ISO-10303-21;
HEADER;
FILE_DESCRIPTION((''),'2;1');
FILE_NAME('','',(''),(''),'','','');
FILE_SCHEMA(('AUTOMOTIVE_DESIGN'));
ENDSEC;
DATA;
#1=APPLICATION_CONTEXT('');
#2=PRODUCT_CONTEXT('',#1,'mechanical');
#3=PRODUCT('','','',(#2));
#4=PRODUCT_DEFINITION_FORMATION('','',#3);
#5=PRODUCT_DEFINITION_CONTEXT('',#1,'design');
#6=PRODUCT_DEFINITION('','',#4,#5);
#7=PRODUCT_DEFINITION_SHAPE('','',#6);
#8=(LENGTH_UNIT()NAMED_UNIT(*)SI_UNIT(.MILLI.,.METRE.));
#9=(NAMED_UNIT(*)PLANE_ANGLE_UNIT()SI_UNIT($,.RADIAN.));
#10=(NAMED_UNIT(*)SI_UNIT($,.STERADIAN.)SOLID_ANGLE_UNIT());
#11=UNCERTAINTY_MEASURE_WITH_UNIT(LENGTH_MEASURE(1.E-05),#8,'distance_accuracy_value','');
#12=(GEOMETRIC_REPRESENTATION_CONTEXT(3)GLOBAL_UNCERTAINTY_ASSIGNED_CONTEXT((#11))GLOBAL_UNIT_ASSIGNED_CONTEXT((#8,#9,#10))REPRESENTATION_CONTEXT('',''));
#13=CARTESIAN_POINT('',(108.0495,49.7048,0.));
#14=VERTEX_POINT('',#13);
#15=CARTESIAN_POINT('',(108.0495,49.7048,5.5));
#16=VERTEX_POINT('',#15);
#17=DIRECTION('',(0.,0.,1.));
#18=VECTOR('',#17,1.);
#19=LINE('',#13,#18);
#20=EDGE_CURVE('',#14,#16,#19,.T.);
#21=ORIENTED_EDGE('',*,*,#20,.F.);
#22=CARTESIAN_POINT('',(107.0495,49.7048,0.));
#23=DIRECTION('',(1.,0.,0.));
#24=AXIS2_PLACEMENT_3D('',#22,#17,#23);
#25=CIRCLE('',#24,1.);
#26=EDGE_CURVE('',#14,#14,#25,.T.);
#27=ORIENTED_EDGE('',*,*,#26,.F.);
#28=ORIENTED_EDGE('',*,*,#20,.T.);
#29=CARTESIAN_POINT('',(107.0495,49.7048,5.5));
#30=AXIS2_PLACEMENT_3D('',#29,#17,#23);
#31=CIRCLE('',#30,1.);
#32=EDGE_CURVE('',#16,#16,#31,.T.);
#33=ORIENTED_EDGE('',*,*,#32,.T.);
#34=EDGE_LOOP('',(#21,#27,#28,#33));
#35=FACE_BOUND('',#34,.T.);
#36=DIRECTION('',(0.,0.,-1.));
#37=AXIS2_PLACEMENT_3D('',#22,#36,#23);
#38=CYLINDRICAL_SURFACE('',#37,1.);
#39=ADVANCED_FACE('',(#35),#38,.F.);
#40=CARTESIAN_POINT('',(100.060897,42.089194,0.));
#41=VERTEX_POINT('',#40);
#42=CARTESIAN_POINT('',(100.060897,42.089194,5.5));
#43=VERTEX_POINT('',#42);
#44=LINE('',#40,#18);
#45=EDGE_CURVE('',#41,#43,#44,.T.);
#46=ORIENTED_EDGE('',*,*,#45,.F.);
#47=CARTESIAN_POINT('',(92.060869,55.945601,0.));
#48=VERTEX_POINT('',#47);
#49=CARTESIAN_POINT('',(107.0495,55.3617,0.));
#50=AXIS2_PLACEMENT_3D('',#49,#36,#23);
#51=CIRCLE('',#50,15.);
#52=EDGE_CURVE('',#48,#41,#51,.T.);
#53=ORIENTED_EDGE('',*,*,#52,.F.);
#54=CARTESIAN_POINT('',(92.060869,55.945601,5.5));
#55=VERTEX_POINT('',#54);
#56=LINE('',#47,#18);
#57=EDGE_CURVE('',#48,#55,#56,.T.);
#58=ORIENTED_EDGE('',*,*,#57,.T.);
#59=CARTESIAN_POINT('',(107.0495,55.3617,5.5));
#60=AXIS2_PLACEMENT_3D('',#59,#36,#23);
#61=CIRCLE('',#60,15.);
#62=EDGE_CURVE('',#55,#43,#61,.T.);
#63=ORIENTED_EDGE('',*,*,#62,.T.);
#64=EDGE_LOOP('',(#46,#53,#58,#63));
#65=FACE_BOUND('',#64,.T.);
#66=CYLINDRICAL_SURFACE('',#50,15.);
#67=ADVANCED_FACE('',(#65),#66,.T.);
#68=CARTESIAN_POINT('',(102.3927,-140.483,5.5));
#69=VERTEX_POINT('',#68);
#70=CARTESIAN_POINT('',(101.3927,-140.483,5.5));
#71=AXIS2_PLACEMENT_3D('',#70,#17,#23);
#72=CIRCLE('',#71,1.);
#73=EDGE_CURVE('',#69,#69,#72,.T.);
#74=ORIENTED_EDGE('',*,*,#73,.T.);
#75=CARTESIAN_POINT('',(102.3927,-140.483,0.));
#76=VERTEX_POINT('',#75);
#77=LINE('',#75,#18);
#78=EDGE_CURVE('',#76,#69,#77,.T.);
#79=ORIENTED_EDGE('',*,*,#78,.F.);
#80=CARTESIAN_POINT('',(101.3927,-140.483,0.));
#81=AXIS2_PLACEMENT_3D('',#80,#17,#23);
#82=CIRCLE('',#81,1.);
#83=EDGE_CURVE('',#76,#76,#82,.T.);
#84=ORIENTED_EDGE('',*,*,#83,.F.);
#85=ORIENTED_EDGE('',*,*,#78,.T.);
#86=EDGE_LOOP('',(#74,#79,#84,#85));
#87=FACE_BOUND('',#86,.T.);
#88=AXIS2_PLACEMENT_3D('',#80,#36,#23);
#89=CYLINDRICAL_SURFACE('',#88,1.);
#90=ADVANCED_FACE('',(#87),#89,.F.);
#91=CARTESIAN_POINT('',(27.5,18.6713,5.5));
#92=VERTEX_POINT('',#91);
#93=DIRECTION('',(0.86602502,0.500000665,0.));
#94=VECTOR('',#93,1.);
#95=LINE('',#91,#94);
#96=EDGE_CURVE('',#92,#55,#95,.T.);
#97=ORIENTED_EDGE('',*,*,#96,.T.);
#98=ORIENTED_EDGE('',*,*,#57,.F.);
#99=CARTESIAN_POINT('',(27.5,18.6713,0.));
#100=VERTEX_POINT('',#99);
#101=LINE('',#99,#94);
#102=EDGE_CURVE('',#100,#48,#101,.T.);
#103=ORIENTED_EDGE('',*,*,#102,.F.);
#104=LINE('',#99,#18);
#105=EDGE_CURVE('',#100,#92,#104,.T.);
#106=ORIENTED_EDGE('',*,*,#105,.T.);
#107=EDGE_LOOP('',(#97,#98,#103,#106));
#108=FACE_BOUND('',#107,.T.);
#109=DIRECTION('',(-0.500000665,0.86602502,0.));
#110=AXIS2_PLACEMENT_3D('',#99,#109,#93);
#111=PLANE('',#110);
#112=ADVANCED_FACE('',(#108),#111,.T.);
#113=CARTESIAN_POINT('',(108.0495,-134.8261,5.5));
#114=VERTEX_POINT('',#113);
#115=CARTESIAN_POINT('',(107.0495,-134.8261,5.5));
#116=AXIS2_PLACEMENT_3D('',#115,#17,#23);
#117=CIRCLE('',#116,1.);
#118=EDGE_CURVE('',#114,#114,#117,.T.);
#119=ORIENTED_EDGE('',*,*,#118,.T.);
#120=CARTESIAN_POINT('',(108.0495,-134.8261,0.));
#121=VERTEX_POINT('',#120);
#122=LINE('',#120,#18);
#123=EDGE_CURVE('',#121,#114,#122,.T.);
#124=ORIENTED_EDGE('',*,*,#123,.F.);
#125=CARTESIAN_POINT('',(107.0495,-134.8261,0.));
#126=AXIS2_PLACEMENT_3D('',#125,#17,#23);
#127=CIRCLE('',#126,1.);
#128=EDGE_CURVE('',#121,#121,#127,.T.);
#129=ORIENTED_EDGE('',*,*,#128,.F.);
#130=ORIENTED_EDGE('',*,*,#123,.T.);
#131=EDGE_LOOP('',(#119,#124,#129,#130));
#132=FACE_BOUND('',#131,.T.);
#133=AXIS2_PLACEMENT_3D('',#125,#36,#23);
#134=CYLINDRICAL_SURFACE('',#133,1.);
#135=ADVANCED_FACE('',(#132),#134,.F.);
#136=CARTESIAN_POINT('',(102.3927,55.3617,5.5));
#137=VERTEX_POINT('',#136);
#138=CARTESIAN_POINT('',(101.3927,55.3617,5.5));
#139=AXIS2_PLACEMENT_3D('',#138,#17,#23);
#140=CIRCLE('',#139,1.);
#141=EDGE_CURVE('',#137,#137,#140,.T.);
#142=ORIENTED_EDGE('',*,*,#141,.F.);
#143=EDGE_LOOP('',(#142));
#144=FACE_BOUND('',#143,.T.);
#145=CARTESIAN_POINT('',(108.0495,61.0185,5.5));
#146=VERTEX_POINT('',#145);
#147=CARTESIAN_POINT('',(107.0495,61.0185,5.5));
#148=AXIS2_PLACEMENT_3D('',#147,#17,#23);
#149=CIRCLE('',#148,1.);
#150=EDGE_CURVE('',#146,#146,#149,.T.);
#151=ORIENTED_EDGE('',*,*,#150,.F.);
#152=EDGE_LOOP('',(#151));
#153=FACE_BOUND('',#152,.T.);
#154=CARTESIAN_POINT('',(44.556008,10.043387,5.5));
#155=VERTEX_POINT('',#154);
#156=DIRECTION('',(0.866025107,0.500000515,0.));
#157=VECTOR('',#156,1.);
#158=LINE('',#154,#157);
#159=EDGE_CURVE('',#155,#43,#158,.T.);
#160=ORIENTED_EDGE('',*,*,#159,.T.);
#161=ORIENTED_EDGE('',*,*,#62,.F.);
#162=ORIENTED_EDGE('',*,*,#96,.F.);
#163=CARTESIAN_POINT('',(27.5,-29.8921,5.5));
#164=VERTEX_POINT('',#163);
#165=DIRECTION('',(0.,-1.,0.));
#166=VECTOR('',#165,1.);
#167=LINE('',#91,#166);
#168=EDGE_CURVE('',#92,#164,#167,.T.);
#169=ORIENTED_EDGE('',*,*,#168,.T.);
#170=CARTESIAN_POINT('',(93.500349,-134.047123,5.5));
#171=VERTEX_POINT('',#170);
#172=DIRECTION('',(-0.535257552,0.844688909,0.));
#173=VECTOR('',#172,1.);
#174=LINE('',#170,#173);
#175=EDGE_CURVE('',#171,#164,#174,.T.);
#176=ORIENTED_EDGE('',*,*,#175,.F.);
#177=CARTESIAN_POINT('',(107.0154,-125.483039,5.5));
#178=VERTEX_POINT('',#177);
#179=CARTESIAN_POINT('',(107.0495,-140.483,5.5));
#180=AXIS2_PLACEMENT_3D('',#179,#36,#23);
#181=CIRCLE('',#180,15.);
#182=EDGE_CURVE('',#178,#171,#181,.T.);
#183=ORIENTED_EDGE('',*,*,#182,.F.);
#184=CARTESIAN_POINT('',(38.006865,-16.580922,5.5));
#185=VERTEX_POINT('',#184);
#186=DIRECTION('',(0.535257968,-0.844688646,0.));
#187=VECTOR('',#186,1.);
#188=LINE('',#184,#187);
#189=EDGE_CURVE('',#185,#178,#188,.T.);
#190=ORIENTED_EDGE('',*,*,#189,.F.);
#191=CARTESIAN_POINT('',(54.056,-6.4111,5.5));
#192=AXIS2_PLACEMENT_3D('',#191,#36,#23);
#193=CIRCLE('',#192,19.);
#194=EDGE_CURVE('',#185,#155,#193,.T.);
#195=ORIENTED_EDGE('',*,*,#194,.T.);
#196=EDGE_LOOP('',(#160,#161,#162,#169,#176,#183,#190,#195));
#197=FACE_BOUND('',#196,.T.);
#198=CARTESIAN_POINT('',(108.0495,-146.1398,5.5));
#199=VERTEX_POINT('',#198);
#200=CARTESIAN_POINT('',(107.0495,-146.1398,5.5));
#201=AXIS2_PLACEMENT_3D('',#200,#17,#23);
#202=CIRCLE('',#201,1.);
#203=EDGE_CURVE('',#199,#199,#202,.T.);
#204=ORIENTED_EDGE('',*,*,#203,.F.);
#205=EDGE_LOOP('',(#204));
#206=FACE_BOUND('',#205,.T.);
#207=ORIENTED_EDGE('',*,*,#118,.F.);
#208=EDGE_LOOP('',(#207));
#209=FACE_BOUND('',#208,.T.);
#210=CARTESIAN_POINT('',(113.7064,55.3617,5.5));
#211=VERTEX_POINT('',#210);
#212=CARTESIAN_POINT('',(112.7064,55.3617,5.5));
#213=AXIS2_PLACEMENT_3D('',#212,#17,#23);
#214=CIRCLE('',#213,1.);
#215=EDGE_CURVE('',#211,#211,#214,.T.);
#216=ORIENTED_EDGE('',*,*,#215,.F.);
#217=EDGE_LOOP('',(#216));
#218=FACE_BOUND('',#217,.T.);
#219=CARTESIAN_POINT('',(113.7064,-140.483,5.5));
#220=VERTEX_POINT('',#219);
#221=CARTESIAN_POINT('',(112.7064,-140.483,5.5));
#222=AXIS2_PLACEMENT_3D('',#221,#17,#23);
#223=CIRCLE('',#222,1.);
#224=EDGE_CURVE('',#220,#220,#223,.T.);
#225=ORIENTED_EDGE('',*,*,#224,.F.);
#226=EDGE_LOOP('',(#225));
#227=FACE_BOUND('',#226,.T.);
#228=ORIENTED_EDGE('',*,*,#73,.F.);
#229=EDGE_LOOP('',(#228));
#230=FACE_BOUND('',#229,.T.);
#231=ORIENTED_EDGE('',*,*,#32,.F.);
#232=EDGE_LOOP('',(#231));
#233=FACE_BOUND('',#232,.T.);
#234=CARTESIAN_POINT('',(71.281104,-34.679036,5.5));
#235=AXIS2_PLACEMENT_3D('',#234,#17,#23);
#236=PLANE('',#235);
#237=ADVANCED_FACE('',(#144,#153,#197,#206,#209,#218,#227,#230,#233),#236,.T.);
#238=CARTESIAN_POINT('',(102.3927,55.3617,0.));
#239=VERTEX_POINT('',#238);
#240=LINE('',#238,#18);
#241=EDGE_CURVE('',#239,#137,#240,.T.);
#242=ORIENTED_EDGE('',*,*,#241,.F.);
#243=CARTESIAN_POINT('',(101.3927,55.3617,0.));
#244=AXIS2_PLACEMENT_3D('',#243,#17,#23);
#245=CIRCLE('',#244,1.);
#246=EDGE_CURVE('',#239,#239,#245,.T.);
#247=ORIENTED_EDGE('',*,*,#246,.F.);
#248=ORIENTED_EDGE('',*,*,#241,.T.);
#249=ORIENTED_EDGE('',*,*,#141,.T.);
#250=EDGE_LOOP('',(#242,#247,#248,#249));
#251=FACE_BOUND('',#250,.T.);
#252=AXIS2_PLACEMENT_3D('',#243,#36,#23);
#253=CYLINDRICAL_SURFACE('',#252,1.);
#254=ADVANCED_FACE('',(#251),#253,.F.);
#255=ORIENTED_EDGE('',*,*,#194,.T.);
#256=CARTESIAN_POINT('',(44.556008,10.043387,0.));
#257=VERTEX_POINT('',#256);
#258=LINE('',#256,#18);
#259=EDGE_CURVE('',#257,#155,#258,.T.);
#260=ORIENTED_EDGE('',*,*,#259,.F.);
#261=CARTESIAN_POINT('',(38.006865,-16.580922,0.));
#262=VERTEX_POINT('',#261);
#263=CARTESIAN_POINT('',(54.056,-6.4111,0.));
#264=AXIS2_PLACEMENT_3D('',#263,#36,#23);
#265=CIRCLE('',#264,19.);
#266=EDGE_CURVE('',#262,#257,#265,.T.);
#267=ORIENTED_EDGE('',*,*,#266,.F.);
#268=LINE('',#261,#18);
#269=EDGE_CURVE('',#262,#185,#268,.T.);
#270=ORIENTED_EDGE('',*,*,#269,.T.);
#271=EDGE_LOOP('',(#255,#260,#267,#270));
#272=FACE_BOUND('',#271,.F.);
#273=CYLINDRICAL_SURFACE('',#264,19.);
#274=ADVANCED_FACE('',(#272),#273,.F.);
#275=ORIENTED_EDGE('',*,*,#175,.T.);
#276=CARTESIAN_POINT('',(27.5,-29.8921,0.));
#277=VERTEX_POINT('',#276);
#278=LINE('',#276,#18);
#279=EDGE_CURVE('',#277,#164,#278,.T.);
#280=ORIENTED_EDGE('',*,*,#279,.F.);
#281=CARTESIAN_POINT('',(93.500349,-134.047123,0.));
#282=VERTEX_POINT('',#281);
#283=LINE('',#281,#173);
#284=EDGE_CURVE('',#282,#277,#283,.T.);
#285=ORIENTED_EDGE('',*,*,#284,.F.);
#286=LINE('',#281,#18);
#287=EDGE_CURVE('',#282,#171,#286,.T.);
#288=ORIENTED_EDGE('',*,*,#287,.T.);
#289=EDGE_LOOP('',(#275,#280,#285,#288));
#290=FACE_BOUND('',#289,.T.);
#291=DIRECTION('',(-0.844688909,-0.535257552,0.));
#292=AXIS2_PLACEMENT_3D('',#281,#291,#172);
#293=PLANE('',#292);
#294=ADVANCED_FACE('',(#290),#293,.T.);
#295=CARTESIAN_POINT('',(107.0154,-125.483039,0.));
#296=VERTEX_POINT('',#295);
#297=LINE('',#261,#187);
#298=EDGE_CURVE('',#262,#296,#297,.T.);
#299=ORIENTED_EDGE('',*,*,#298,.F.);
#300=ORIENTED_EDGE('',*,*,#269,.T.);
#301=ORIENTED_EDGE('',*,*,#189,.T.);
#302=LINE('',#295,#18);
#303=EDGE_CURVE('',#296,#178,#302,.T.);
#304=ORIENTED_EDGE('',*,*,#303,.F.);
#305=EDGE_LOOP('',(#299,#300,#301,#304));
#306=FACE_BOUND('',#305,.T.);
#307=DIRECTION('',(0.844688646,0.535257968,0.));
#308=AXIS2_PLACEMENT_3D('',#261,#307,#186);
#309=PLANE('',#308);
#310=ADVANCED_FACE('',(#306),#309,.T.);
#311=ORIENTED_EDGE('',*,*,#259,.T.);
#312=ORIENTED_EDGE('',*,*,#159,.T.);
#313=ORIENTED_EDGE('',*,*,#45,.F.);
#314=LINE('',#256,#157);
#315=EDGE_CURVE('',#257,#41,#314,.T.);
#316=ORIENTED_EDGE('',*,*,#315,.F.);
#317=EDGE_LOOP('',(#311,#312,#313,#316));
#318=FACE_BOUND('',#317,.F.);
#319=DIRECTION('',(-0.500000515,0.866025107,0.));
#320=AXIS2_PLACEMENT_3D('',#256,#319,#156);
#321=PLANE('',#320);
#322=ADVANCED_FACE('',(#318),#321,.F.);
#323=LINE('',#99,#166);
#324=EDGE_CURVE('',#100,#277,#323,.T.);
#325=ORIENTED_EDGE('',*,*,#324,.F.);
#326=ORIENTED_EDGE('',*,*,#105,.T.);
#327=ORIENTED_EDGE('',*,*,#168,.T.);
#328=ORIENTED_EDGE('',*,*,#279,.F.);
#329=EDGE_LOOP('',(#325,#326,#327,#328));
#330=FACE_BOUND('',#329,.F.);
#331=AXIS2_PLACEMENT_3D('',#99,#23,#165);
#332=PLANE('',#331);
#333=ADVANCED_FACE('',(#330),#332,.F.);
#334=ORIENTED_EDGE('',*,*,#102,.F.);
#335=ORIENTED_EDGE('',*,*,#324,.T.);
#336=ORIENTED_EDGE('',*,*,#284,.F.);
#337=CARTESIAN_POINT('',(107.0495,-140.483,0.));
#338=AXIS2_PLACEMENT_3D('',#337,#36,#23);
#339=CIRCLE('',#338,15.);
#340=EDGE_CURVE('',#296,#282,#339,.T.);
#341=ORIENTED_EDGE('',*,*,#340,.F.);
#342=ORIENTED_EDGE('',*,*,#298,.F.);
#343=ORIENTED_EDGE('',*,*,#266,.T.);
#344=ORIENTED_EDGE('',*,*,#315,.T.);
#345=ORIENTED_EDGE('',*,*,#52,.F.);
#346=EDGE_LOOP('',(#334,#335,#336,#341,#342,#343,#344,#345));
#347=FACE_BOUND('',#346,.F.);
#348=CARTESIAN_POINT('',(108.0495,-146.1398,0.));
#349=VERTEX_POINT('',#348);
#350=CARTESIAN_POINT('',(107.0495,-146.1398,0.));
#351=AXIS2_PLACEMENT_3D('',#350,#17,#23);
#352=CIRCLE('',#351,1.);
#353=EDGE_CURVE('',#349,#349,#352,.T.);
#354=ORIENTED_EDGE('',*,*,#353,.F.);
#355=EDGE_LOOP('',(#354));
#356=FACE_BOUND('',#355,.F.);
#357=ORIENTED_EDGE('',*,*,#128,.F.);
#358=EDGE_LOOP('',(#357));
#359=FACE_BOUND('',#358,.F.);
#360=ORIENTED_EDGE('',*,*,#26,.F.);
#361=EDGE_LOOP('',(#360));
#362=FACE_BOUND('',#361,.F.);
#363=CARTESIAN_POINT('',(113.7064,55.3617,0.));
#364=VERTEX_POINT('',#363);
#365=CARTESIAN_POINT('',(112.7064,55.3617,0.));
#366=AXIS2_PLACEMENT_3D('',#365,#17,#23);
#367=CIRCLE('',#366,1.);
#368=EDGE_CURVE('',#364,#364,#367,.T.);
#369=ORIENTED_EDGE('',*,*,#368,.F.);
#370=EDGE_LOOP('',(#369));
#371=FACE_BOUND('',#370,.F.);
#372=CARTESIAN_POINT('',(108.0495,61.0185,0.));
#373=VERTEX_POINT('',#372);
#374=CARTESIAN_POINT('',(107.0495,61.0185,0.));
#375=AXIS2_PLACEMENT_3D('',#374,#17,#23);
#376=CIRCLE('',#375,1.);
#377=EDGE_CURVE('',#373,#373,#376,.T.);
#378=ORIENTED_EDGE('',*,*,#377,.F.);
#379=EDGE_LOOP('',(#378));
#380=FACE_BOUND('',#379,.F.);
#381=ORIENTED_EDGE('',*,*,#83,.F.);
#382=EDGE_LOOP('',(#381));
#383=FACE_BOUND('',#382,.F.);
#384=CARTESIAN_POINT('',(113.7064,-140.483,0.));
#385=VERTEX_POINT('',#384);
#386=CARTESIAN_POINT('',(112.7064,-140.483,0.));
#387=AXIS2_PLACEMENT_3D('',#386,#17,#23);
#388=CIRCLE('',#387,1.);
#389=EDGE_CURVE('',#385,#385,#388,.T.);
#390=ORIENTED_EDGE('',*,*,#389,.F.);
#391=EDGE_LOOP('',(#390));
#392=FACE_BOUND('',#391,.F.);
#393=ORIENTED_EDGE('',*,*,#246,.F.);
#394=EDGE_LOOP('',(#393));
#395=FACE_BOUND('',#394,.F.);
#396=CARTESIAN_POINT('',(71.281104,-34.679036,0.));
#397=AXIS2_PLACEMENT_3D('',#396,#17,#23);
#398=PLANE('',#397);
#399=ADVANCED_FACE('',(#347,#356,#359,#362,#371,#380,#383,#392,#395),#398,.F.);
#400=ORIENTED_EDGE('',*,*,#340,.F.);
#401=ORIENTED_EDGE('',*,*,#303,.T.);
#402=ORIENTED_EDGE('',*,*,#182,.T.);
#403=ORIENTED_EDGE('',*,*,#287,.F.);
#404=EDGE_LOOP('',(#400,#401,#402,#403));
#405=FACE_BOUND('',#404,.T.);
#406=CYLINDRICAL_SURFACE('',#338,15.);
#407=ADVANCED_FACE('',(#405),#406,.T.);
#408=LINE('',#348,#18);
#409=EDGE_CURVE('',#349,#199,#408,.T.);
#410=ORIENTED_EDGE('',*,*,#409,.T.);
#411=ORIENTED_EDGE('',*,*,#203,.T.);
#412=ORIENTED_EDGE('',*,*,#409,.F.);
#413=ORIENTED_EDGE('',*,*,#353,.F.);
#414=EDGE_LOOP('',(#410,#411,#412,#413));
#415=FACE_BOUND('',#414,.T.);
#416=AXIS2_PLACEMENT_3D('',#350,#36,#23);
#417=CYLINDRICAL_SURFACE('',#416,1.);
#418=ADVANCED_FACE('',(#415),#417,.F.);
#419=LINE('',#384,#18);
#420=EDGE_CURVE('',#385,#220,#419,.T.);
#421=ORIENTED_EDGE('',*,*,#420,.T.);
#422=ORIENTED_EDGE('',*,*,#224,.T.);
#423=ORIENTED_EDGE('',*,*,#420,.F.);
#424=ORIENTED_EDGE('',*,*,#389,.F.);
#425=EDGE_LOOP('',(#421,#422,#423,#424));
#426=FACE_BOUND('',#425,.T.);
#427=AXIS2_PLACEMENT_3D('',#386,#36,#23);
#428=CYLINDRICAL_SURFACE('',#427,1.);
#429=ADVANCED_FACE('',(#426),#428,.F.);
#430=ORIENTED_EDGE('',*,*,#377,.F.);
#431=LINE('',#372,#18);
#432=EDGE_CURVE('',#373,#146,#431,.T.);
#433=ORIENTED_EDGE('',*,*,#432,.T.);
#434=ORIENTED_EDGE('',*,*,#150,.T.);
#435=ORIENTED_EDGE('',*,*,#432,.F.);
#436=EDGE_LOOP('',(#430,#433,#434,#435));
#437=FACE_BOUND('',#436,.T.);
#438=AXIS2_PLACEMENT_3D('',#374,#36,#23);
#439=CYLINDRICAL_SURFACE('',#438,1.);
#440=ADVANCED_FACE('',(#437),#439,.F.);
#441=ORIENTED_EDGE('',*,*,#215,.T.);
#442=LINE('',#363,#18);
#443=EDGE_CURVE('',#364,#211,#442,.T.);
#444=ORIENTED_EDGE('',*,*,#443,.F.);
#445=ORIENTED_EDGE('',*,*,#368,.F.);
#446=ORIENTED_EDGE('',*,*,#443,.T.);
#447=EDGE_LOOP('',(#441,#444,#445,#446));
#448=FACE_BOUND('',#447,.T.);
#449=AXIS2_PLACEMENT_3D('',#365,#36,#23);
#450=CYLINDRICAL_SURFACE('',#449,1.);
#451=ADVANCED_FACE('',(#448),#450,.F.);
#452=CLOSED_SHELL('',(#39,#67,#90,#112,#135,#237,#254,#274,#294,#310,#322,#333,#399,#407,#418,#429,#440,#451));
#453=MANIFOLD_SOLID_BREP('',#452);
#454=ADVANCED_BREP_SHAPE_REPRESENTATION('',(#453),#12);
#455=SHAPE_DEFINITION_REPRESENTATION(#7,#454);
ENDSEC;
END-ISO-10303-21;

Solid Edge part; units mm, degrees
sketch "Sketch1" plane through (0, 0, 0) normal (0, 0, 1) x (1, 0, 0)
  line L0 (44.556, 10.0434) -> (100.0609, 42.0892)
  line L1 (27.5, 18.6713) -> (92.0609, 55.9456)
  line L2 (27.5, 18.6713) -> (27.5, -29.8921)
  line L3 (93.5003, -134.0471) -> (27.5, -29.8921)
  line L4 (38.0069, -16.5809) -> (107.0154, -125.483)
  arc A0 (38.0069, -16.5809) -> (44.556, 10.0434) centre (54.056, -6.4111) cw
  arc A1 (92.0609, 55.9456) -> (100.0609, 42.0892) centre (107.0495, 55.3617) cw
  arc A2 (107.0154, -125.483) -> (93.5003, -134.0471) centre (107.0495, -140.483) cw
  circle A3 centre (107.0495, 49.7048) radius 1
  circle A4 centre (101.3927, 55.3617) radius 1
  circle A5 centre (107.0495, 61.0185) radius 1
  circle A6 centre (112.7064, 55.3617) radius 1
  circle A7 centre (101.3927, -140.483) radius 1
  circle A8 centre (107.0495, -134.8261) radius 1
  circle A9 centre (112.7064, -140.483) radius 1
  circle A10 centre (107.0495, -146.1398) radius 1
extrude "Protrusion1" add sketch "Sketch1" along normal blind 5.5
